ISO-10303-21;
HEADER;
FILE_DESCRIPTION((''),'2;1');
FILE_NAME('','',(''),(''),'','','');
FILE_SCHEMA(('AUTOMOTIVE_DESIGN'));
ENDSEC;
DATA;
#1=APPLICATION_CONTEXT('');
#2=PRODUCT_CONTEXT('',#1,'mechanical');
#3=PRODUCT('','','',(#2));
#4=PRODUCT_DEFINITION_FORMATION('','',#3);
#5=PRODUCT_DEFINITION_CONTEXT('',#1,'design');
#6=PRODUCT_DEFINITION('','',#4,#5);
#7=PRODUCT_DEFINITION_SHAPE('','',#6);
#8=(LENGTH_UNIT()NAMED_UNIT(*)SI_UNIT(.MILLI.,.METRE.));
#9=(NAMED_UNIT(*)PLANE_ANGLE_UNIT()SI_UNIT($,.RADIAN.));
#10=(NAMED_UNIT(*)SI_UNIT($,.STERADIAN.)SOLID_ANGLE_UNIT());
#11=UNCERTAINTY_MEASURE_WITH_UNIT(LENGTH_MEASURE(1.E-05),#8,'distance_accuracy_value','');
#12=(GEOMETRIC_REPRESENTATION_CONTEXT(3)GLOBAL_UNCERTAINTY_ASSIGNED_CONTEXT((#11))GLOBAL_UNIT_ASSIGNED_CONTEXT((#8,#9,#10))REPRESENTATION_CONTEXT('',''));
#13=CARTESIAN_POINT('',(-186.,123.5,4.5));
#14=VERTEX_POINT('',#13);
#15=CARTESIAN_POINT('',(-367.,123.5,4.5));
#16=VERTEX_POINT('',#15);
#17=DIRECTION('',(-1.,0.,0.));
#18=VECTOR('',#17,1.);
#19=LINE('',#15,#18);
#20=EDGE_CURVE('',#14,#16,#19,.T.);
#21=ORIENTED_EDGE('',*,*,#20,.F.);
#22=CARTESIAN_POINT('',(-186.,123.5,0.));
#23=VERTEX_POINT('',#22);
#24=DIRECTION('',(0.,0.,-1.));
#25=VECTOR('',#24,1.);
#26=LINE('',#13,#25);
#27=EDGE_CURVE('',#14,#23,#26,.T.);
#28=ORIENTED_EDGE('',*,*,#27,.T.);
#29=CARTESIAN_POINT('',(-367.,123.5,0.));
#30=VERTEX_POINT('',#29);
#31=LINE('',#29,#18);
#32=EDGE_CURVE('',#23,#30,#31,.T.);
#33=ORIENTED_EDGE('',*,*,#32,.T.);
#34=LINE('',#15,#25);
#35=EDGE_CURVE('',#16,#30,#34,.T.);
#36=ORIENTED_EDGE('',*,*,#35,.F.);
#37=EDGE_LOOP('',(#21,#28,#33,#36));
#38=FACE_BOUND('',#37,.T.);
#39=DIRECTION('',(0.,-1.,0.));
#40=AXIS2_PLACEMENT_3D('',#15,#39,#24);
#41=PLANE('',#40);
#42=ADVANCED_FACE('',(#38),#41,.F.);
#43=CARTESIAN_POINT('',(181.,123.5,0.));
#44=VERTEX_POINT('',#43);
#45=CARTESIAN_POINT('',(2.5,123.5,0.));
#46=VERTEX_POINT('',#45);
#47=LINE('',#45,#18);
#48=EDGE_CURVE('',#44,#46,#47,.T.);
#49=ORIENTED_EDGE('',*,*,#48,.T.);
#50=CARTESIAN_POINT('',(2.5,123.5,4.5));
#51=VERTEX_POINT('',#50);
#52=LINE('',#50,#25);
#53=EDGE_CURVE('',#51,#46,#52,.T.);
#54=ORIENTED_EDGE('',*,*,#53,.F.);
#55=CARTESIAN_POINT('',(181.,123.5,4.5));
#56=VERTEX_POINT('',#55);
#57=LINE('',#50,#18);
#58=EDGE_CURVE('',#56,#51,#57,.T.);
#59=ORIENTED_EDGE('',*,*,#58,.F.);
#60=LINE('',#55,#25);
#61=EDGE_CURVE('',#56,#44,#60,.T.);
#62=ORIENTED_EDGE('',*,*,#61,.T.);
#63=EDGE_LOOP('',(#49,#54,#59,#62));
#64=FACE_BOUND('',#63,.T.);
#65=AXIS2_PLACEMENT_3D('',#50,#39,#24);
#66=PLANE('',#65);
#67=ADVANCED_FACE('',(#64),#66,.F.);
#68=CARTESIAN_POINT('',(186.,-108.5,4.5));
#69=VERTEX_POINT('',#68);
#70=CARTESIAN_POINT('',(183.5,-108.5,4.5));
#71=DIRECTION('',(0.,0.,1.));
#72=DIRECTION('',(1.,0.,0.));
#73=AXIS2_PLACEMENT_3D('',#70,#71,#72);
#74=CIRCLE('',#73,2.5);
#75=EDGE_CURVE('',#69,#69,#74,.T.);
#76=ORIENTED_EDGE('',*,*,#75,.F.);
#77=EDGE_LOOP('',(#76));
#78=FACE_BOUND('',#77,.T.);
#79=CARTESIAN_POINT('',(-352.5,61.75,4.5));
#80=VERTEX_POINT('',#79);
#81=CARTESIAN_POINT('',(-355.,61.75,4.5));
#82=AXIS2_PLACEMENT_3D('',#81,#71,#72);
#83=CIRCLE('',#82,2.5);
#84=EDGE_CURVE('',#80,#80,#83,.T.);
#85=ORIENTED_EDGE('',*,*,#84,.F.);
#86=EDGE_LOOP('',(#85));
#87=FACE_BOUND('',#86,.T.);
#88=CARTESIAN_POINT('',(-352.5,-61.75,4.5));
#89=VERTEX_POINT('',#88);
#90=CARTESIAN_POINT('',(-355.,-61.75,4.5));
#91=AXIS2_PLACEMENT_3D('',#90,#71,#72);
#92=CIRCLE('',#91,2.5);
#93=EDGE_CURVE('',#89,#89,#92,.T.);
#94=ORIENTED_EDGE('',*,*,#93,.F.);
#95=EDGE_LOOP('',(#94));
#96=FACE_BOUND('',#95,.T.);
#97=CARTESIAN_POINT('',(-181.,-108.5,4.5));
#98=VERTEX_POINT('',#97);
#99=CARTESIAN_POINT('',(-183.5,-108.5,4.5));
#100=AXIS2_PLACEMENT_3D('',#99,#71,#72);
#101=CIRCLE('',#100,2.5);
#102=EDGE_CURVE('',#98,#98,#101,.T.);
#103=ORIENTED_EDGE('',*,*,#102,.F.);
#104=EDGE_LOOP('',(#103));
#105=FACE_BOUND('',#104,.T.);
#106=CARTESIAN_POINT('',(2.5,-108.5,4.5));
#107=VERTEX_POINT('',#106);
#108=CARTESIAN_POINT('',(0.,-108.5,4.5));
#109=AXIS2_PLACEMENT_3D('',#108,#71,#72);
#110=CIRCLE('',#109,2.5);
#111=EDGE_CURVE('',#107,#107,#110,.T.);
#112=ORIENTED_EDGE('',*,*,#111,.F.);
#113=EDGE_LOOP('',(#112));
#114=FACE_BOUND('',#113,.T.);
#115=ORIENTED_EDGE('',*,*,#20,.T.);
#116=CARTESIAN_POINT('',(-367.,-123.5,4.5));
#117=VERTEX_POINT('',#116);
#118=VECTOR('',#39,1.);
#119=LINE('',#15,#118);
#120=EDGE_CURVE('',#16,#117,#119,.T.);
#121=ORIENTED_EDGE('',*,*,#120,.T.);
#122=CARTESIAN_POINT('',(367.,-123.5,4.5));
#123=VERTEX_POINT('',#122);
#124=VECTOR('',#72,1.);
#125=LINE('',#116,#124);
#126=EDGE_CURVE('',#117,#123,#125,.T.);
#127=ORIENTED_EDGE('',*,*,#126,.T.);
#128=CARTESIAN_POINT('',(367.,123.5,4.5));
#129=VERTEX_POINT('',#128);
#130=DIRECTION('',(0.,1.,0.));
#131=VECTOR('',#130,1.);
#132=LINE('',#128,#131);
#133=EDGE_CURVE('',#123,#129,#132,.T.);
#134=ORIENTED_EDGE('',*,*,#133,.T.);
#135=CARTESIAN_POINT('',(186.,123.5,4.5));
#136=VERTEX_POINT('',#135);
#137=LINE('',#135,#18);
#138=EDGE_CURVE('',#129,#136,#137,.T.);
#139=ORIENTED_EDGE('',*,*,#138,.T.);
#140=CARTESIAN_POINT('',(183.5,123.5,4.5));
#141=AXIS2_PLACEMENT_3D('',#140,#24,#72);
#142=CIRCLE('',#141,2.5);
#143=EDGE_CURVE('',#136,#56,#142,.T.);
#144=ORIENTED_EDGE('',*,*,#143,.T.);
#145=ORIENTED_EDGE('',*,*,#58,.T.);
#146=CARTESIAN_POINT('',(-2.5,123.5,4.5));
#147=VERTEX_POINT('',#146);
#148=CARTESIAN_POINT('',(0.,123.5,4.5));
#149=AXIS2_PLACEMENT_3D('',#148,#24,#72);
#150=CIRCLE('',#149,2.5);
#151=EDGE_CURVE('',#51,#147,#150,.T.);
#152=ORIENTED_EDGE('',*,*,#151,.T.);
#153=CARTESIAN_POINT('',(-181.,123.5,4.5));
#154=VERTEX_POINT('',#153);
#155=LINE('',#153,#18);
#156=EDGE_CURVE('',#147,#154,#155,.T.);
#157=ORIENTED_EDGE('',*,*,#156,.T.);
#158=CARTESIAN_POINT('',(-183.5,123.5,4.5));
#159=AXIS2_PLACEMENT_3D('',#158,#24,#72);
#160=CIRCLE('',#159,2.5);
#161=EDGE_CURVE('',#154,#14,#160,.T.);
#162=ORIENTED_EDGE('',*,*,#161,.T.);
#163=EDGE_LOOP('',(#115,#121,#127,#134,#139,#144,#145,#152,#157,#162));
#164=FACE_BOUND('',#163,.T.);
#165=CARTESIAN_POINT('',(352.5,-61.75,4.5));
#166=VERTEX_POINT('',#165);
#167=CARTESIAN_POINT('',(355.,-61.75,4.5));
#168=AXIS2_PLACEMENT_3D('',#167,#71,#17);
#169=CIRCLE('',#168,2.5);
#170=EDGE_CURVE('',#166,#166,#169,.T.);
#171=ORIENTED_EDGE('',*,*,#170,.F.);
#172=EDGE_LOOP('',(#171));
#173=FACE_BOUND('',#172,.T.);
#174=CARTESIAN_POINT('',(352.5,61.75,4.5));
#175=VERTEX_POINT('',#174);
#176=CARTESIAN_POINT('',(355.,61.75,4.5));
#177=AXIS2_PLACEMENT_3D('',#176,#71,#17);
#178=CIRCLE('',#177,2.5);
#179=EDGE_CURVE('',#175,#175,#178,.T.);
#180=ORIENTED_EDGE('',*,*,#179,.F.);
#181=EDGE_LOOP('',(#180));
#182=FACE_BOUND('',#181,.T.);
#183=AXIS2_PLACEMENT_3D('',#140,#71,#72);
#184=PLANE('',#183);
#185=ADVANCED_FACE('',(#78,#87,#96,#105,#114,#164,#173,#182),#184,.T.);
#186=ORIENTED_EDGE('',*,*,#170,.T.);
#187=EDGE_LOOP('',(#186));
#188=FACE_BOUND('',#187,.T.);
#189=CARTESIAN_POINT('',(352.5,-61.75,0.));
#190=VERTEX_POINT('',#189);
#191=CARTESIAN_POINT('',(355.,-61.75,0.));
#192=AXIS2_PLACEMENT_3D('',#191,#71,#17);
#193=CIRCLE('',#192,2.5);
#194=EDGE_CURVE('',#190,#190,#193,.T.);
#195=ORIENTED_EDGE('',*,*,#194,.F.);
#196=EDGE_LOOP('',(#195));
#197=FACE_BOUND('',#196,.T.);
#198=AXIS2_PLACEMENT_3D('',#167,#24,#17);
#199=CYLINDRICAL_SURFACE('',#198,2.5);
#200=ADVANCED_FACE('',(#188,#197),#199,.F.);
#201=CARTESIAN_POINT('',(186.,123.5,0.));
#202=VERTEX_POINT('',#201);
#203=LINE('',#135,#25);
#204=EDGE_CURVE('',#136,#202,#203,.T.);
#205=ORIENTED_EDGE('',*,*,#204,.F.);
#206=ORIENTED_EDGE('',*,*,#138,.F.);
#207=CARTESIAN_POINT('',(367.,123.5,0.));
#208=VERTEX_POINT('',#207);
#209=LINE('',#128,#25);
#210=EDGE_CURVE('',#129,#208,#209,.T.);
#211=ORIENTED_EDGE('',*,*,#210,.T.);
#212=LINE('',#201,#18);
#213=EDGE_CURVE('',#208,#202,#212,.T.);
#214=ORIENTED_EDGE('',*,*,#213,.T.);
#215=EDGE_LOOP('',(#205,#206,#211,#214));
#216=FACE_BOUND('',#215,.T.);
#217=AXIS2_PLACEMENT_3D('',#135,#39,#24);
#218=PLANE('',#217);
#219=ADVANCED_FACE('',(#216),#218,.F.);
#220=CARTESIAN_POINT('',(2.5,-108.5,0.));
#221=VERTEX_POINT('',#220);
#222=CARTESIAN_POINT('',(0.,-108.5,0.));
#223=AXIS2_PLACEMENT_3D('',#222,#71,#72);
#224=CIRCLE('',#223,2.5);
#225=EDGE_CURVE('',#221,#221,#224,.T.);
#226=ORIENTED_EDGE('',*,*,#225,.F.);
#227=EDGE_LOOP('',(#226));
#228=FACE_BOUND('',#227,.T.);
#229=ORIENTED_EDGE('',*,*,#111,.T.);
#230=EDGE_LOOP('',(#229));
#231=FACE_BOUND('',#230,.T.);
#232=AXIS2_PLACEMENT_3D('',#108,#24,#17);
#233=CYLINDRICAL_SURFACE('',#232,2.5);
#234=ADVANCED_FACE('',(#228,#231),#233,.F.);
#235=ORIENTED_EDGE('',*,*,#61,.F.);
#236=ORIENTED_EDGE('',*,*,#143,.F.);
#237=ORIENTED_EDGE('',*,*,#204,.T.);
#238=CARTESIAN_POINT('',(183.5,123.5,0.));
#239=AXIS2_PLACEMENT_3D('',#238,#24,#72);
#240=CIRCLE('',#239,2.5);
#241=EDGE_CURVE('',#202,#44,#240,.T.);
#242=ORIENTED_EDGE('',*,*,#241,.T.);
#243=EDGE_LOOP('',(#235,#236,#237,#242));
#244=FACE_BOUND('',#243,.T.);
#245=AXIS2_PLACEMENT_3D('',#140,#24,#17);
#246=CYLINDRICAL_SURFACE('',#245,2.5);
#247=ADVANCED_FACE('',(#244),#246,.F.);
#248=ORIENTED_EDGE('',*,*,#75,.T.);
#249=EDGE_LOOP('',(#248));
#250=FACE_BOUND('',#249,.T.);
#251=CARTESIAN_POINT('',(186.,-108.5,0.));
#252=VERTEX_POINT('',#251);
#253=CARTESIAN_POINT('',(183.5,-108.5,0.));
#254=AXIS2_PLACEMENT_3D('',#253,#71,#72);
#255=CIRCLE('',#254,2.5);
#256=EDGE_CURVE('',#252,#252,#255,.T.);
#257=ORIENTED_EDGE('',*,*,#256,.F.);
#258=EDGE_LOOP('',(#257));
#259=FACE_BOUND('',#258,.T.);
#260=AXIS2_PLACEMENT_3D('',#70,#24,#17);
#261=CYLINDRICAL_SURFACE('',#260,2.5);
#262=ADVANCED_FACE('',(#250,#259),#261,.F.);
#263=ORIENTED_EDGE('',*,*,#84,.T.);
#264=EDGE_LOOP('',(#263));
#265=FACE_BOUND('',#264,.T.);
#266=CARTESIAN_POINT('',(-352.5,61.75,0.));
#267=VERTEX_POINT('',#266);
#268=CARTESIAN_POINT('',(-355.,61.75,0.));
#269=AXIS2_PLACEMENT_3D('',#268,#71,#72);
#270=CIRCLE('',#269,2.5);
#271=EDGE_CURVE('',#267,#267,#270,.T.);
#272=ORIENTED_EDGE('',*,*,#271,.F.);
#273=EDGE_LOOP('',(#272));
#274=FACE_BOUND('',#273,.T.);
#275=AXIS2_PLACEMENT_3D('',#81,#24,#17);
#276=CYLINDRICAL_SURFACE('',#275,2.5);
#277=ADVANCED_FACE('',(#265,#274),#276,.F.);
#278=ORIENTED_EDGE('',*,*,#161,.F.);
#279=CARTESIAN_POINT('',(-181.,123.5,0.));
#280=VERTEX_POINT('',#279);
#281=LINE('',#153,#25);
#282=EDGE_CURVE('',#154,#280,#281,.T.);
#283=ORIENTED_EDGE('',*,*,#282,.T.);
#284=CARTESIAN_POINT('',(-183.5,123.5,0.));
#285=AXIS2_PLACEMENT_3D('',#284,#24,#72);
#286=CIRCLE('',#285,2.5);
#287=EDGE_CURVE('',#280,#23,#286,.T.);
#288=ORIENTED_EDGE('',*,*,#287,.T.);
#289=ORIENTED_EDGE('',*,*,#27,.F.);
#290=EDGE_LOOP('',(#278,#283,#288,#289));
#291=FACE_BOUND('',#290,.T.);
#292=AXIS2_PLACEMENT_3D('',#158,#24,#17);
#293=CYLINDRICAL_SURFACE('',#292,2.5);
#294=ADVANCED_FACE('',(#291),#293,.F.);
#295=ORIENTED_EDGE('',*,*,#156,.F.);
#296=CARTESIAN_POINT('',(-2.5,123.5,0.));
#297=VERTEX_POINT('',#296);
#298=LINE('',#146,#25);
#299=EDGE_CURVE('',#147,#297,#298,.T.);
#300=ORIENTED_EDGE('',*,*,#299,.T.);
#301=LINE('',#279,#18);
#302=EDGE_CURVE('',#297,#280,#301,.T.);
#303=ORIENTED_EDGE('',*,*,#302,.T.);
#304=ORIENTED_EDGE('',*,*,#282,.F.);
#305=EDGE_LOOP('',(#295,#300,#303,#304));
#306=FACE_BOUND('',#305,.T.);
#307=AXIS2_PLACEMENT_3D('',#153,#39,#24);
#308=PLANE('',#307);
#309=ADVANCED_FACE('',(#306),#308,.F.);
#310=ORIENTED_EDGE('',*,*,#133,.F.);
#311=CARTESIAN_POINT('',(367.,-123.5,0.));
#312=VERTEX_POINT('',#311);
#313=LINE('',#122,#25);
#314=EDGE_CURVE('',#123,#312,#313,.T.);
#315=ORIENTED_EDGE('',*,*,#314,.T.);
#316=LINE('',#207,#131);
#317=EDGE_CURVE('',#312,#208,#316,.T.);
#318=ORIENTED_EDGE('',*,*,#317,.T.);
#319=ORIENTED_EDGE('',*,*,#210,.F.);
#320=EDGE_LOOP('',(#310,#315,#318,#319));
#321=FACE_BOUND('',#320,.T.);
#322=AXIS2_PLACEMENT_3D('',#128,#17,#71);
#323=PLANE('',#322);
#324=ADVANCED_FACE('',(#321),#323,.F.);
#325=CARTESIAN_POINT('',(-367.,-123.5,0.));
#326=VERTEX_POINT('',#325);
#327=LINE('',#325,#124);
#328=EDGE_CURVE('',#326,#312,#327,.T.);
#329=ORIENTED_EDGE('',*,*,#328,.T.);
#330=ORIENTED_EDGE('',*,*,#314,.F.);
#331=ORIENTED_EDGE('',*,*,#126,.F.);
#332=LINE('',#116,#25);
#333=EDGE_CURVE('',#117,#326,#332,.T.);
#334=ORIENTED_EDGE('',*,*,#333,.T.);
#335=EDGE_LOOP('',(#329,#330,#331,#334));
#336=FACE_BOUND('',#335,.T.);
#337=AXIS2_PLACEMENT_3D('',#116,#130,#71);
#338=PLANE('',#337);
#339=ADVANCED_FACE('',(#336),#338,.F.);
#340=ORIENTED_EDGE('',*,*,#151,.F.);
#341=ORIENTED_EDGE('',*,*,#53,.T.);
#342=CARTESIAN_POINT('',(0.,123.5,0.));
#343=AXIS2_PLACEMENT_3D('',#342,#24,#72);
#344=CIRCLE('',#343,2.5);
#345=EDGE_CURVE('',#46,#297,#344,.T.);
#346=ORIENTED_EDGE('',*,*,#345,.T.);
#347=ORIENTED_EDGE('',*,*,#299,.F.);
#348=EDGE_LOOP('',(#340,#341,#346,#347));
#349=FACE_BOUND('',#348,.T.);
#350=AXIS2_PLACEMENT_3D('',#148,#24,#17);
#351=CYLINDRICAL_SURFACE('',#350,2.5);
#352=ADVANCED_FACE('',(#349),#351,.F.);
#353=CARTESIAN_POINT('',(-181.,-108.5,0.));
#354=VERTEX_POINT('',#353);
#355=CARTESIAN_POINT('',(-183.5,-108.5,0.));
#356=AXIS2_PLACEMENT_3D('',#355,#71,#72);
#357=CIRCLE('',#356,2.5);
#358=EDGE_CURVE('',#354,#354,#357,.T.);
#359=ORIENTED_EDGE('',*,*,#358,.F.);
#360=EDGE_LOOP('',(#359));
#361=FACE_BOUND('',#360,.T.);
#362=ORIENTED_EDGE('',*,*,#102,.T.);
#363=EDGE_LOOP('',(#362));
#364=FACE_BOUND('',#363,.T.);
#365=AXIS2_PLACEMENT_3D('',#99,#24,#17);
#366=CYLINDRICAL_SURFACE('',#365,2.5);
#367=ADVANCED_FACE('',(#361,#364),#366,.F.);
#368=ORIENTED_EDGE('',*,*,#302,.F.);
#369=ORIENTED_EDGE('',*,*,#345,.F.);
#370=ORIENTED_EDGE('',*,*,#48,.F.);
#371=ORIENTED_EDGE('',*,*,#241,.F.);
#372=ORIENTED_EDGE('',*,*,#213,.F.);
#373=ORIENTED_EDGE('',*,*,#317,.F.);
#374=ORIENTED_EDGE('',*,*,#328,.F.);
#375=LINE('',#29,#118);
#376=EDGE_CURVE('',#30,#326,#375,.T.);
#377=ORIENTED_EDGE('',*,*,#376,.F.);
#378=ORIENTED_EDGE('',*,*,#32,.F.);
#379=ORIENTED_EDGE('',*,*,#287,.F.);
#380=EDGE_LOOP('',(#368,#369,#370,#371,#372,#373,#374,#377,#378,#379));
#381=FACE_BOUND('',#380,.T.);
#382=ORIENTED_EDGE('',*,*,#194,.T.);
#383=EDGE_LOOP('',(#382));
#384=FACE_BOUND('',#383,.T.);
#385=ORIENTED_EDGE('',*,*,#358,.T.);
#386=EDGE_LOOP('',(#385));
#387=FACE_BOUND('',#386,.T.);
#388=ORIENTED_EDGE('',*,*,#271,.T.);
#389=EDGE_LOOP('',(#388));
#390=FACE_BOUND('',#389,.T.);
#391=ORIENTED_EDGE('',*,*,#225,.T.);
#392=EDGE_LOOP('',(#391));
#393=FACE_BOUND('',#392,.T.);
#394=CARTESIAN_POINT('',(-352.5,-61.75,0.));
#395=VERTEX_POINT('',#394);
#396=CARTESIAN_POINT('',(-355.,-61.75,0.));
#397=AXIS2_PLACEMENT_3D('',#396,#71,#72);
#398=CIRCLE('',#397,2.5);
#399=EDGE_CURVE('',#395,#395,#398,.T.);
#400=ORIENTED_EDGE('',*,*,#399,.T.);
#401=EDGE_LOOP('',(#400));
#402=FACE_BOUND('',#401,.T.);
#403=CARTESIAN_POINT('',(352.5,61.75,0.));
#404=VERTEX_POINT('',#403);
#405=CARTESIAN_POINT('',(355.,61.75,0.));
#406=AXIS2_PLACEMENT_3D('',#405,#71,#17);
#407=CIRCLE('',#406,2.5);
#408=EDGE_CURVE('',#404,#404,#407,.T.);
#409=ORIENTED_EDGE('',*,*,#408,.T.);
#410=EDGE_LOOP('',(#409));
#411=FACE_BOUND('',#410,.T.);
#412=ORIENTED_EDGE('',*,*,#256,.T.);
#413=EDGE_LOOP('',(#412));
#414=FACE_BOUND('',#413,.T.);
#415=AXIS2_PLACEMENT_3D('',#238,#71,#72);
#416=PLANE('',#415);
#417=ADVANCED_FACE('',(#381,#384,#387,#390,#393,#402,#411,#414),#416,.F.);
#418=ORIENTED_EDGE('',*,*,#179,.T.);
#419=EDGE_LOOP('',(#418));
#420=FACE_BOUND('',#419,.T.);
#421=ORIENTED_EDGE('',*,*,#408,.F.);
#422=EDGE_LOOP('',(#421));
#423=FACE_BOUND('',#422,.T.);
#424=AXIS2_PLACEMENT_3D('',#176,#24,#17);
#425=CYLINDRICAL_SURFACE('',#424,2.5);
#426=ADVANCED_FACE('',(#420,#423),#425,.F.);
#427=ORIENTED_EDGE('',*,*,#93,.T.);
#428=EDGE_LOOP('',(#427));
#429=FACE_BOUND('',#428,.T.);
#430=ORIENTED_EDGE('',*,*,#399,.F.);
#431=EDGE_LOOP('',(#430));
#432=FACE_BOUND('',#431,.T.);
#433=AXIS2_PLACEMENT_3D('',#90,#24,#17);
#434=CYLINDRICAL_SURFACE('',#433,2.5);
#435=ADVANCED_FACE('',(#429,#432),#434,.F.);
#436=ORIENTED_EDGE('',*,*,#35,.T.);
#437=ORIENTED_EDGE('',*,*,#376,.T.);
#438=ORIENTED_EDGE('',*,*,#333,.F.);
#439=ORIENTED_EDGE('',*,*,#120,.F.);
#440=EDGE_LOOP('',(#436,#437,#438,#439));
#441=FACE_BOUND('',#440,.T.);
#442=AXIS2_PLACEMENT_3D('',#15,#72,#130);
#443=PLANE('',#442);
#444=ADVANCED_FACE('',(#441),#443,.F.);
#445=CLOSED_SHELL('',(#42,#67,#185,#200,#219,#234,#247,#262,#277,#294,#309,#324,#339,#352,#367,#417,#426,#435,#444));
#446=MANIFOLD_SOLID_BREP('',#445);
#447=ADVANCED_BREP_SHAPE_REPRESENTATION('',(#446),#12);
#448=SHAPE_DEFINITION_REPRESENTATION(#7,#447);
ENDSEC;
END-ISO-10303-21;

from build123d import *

# Parameters (mm, degrees)
SKETCH1_R           = 2.5
BOSS_EXTRUDE1_DEPTH = 4.5


with BuildPart() as part:
    # Sketch1 → Boss-Extrude1 (new body)
    with BuildSketch(Plane.XY):
        with BuildLine():
            Line((-367, 123.5), (-186, 123.5))
            ThreePointArc((-186, 123.5), (-183.5, 121), (-181, 123.5))
            Line((-181, 123.5), (-2.5, 123.5))
            ThreePointArc((-2.5, 123.5), (0, 121), (2.5, 123.5))
            Line((2.5, 123.5), (181, 123.5))
            ThreePointArc((181, 123.5), (183.5, 121), (186, 123.5))
            Line((186, 123.5), (367, 123.5))
            Line((367, 123.5), (367, -123.5))
            Line((367, -123.5), (-367, -123.5))
            Line((-367, -123.5), (-367, 123.5))
        make_face()
        with Locations((-355, 61.75)):
            Circle(SKETCH1_R, mode=Mode.SUBTRACT)
        with Locations((-355, -61.75)):
            Circle(SKETCH1_R, mode=Mode.SUBTRACT)
        with Locations(Location((355, -61.75, 0), (0, 0, 180))):
            Circle(SKETCH1_R, mode=Mode.SUBTRACT)
        with Locations(Location((355, 61.75, 0), (0, 0, 180))):
            Circle(SKETCH1_R, mode=Mode.SUBTRACT)
        with Locations((-183.5, -108.5)):
            Circle(SKETCH1_R, mode=Mode.SUBTRACT)
        with Locations((0, -108.5)):
            Circle(SKETCH1_R, mode=Mode.SUBTRACT)
        with Locations((183.5, -108.5)):
            Circle(SKETCH1_R, mode=Mode.SUBTRACT)
    extrude(amount=BOSS_EXTRUDE1_DEPTH)


solid = part.part
